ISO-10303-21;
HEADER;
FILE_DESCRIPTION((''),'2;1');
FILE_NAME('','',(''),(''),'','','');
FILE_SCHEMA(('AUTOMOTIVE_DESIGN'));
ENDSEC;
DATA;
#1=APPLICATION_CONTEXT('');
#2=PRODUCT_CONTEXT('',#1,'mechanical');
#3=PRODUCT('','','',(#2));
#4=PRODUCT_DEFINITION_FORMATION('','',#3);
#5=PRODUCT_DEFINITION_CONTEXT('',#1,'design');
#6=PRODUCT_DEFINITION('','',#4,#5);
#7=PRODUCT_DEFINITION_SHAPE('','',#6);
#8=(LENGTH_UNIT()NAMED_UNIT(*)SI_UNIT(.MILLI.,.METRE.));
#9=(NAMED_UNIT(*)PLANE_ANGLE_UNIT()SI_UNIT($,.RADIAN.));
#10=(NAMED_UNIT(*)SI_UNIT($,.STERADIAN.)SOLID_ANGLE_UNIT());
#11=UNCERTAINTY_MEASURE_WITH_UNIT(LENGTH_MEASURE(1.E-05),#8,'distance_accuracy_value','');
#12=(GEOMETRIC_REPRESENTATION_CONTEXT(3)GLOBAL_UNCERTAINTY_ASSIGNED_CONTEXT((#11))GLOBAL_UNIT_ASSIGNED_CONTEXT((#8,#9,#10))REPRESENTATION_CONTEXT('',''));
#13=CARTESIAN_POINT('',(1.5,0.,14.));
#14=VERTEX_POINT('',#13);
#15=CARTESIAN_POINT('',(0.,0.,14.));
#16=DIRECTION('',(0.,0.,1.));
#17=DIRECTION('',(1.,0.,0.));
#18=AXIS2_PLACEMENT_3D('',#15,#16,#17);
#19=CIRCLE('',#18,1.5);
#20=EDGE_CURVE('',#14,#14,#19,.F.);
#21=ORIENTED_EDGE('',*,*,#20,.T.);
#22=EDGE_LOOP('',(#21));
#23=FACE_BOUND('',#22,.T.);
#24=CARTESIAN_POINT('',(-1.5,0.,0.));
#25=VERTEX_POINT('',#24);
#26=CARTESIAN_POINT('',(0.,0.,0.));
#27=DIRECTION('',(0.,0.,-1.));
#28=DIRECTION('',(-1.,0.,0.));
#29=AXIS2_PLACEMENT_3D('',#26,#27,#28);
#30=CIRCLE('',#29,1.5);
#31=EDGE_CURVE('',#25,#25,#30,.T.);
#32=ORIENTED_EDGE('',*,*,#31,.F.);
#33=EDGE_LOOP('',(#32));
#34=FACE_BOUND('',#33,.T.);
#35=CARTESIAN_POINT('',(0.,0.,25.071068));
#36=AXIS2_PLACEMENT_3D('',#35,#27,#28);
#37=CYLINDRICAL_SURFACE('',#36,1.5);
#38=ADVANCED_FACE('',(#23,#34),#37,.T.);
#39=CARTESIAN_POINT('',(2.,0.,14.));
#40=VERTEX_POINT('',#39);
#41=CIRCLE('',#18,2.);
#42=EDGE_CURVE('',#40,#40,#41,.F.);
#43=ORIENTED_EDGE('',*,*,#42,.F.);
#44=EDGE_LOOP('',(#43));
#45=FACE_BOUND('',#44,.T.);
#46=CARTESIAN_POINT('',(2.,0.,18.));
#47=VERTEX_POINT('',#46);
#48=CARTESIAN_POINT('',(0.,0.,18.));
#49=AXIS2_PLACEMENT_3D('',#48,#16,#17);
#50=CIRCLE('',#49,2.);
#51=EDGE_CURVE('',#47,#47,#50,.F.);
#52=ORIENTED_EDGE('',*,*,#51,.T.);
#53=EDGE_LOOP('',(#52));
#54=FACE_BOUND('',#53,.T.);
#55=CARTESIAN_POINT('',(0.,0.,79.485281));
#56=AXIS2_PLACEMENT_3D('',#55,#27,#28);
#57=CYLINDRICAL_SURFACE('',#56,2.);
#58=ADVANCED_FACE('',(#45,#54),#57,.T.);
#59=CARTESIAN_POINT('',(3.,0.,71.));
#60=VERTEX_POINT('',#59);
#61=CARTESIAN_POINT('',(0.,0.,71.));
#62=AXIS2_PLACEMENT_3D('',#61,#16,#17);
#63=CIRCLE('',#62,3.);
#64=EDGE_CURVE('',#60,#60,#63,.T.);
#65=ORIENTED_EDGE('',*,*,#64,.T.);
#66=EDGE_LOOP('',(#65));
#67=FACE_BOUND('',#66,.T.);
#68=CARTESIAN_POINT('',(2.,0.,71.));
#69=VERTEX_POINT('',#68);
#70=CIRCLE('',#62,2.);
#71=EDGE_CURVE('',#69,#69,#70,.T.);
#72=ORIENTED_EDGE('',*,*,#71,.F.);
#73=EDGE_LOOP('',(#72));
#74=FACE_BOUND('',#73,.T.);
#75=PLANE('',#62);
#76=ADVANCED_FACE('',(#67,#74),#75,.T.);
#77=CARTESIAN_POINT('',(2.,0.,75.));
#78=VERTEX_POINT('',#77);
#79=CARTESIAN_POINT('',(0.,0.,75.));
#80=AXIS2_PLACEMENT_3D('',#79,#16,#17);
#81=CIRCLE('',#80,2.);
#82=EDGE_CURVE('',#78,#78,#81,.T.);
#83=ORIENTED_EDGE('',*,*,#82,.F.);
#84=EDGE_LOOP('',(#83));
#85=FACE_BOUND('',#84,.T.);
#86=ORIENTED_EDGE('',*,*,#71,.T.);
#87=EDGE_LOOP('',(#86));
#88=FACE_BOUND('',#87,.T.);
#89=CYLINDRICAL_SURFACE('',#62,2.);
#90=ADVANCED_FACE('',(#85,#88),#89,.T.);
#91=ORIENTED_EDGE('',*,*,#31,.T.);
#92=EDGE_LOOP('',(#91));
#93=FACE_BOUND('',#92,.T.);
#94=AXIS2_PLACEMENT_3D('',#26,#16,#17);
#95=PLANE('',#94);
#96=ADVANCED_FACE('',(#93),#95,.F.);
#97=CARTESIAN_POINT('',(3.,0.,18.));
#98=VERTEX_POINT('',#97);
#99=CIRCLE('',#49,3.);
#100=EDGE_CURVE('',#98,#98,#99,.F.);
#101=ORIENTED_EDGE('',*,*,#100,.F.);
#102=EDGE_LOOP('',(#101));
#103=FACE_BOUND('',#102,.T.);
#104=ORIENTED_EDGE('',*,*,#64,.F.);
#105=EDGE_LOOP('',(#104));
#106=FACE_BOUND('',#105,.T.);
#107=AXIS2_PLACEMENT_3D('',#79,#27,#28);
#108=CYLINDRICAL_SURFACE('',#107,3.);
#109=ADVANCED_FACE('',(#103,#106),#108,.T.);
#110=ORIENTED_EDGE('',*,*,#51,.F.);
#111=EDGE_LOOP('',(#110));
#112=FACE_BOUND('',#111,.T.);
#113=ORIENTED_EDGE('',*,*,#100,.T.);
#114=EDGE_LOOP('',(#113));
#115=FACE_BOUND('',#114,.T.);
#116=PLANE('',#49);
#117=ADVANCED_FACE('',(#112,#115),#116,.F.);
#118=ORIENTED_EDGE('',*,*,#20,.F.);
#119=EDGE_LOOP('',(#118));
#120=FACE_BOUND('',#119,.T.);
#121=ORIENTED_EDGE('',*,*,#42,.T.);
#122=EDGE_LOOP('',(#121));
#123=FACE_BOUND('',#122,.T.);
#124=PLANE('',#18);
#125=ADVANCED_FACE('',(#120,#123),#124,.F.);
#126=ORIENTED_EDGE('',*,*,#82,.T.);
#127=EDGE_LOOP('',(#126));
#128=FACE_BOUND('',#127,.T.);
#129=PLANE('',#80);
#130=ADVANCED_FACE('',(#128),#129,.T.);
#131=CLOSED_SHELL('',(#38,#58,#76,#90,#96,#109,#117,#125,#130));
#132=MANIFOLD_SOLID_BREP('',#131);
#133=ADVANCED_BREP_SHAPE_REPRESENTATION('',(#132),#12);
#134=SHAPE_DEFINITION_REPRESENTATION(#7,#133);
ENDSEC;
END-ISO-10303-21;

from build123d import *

# Parameters (mm, degrees)
ESBO_O1_R                = 3
RESSALTO_EXTRUS_O1_DEPTH = 75
CORTE_EXTRUS_O1_START    = -4
ESBO_O2_R                = 3
ESBO_O2_R_2              = 2
CORTE_EXTRUS_O1_DEPTH    = 4
ESBO_O3_R                = 3
ESBO_O3_R_2              = 2
CORTE_EXTRUS_O2_DEPTH    = 18
ESBO_O4_R                = 2.5
ESBO_O4_R_2              = 1.5
CORTE_EXTRUS_O3_DEPTH    = 14


with BuildPart() as part:
    # Esboço1 → Ressalto-extrusão1 (new body)
    with BuildSketch(Plane.XY):
        Circle(ESBO_O1_R)
    extrude(amount=RESSALTO_EXTRUS_O1_DEPTH)

    # Esboço2 → Corte-extrusão1 (cut)
    with BuildSketch(Plane.XY.offset(75).offset(CORTE_EXTRUS_O1_START)):
        Circle(ESBO_O2_R)
        Circle(ESBO_O2_R_2, mode=Mode.SUBTRACT)
    extrude(amount=CORTE_EXTRUS_O1_DEPTH, mode=Mode.SUBTRACT)

    # Esboço3 → Corte-extrusão2 (cut)
    with BuildSketch(Plane(origin=(0, 0, 0), x_dir=(-1, 0, 0), z_dir=(0, 0, -1))):
        with Locations(Location((0, 0, 0), (0, 0, 180))):
            Circle(ESBO_O3_R)
        with Locations(Location((0, 0, 0), (0, 0, 180))):
            Circle(ESBO_O3_R_2, mode=Mode.SUBTRACT)
    extrude(amount=-CORTE_EXTRUS_O2_DEPTH, mode=Mode.SUBTRACT)

    # Esboço4 → Corte-extrusão3 (cut)
    with BuildSketch(Plane(origin=(0, 0, 0), x_dir=(-1, 0, 0), z_dir=(0, 0, -1))):
        Circle(ESBO_O4_R)
        Circle(ESBO_O4_R_2, mode=Mode.SUBTRACT)
    extrude(amount=-CORTE_EXTRUS_O3_DEPTH, mode=Mode.SUBTRACT)


solid = part.part
